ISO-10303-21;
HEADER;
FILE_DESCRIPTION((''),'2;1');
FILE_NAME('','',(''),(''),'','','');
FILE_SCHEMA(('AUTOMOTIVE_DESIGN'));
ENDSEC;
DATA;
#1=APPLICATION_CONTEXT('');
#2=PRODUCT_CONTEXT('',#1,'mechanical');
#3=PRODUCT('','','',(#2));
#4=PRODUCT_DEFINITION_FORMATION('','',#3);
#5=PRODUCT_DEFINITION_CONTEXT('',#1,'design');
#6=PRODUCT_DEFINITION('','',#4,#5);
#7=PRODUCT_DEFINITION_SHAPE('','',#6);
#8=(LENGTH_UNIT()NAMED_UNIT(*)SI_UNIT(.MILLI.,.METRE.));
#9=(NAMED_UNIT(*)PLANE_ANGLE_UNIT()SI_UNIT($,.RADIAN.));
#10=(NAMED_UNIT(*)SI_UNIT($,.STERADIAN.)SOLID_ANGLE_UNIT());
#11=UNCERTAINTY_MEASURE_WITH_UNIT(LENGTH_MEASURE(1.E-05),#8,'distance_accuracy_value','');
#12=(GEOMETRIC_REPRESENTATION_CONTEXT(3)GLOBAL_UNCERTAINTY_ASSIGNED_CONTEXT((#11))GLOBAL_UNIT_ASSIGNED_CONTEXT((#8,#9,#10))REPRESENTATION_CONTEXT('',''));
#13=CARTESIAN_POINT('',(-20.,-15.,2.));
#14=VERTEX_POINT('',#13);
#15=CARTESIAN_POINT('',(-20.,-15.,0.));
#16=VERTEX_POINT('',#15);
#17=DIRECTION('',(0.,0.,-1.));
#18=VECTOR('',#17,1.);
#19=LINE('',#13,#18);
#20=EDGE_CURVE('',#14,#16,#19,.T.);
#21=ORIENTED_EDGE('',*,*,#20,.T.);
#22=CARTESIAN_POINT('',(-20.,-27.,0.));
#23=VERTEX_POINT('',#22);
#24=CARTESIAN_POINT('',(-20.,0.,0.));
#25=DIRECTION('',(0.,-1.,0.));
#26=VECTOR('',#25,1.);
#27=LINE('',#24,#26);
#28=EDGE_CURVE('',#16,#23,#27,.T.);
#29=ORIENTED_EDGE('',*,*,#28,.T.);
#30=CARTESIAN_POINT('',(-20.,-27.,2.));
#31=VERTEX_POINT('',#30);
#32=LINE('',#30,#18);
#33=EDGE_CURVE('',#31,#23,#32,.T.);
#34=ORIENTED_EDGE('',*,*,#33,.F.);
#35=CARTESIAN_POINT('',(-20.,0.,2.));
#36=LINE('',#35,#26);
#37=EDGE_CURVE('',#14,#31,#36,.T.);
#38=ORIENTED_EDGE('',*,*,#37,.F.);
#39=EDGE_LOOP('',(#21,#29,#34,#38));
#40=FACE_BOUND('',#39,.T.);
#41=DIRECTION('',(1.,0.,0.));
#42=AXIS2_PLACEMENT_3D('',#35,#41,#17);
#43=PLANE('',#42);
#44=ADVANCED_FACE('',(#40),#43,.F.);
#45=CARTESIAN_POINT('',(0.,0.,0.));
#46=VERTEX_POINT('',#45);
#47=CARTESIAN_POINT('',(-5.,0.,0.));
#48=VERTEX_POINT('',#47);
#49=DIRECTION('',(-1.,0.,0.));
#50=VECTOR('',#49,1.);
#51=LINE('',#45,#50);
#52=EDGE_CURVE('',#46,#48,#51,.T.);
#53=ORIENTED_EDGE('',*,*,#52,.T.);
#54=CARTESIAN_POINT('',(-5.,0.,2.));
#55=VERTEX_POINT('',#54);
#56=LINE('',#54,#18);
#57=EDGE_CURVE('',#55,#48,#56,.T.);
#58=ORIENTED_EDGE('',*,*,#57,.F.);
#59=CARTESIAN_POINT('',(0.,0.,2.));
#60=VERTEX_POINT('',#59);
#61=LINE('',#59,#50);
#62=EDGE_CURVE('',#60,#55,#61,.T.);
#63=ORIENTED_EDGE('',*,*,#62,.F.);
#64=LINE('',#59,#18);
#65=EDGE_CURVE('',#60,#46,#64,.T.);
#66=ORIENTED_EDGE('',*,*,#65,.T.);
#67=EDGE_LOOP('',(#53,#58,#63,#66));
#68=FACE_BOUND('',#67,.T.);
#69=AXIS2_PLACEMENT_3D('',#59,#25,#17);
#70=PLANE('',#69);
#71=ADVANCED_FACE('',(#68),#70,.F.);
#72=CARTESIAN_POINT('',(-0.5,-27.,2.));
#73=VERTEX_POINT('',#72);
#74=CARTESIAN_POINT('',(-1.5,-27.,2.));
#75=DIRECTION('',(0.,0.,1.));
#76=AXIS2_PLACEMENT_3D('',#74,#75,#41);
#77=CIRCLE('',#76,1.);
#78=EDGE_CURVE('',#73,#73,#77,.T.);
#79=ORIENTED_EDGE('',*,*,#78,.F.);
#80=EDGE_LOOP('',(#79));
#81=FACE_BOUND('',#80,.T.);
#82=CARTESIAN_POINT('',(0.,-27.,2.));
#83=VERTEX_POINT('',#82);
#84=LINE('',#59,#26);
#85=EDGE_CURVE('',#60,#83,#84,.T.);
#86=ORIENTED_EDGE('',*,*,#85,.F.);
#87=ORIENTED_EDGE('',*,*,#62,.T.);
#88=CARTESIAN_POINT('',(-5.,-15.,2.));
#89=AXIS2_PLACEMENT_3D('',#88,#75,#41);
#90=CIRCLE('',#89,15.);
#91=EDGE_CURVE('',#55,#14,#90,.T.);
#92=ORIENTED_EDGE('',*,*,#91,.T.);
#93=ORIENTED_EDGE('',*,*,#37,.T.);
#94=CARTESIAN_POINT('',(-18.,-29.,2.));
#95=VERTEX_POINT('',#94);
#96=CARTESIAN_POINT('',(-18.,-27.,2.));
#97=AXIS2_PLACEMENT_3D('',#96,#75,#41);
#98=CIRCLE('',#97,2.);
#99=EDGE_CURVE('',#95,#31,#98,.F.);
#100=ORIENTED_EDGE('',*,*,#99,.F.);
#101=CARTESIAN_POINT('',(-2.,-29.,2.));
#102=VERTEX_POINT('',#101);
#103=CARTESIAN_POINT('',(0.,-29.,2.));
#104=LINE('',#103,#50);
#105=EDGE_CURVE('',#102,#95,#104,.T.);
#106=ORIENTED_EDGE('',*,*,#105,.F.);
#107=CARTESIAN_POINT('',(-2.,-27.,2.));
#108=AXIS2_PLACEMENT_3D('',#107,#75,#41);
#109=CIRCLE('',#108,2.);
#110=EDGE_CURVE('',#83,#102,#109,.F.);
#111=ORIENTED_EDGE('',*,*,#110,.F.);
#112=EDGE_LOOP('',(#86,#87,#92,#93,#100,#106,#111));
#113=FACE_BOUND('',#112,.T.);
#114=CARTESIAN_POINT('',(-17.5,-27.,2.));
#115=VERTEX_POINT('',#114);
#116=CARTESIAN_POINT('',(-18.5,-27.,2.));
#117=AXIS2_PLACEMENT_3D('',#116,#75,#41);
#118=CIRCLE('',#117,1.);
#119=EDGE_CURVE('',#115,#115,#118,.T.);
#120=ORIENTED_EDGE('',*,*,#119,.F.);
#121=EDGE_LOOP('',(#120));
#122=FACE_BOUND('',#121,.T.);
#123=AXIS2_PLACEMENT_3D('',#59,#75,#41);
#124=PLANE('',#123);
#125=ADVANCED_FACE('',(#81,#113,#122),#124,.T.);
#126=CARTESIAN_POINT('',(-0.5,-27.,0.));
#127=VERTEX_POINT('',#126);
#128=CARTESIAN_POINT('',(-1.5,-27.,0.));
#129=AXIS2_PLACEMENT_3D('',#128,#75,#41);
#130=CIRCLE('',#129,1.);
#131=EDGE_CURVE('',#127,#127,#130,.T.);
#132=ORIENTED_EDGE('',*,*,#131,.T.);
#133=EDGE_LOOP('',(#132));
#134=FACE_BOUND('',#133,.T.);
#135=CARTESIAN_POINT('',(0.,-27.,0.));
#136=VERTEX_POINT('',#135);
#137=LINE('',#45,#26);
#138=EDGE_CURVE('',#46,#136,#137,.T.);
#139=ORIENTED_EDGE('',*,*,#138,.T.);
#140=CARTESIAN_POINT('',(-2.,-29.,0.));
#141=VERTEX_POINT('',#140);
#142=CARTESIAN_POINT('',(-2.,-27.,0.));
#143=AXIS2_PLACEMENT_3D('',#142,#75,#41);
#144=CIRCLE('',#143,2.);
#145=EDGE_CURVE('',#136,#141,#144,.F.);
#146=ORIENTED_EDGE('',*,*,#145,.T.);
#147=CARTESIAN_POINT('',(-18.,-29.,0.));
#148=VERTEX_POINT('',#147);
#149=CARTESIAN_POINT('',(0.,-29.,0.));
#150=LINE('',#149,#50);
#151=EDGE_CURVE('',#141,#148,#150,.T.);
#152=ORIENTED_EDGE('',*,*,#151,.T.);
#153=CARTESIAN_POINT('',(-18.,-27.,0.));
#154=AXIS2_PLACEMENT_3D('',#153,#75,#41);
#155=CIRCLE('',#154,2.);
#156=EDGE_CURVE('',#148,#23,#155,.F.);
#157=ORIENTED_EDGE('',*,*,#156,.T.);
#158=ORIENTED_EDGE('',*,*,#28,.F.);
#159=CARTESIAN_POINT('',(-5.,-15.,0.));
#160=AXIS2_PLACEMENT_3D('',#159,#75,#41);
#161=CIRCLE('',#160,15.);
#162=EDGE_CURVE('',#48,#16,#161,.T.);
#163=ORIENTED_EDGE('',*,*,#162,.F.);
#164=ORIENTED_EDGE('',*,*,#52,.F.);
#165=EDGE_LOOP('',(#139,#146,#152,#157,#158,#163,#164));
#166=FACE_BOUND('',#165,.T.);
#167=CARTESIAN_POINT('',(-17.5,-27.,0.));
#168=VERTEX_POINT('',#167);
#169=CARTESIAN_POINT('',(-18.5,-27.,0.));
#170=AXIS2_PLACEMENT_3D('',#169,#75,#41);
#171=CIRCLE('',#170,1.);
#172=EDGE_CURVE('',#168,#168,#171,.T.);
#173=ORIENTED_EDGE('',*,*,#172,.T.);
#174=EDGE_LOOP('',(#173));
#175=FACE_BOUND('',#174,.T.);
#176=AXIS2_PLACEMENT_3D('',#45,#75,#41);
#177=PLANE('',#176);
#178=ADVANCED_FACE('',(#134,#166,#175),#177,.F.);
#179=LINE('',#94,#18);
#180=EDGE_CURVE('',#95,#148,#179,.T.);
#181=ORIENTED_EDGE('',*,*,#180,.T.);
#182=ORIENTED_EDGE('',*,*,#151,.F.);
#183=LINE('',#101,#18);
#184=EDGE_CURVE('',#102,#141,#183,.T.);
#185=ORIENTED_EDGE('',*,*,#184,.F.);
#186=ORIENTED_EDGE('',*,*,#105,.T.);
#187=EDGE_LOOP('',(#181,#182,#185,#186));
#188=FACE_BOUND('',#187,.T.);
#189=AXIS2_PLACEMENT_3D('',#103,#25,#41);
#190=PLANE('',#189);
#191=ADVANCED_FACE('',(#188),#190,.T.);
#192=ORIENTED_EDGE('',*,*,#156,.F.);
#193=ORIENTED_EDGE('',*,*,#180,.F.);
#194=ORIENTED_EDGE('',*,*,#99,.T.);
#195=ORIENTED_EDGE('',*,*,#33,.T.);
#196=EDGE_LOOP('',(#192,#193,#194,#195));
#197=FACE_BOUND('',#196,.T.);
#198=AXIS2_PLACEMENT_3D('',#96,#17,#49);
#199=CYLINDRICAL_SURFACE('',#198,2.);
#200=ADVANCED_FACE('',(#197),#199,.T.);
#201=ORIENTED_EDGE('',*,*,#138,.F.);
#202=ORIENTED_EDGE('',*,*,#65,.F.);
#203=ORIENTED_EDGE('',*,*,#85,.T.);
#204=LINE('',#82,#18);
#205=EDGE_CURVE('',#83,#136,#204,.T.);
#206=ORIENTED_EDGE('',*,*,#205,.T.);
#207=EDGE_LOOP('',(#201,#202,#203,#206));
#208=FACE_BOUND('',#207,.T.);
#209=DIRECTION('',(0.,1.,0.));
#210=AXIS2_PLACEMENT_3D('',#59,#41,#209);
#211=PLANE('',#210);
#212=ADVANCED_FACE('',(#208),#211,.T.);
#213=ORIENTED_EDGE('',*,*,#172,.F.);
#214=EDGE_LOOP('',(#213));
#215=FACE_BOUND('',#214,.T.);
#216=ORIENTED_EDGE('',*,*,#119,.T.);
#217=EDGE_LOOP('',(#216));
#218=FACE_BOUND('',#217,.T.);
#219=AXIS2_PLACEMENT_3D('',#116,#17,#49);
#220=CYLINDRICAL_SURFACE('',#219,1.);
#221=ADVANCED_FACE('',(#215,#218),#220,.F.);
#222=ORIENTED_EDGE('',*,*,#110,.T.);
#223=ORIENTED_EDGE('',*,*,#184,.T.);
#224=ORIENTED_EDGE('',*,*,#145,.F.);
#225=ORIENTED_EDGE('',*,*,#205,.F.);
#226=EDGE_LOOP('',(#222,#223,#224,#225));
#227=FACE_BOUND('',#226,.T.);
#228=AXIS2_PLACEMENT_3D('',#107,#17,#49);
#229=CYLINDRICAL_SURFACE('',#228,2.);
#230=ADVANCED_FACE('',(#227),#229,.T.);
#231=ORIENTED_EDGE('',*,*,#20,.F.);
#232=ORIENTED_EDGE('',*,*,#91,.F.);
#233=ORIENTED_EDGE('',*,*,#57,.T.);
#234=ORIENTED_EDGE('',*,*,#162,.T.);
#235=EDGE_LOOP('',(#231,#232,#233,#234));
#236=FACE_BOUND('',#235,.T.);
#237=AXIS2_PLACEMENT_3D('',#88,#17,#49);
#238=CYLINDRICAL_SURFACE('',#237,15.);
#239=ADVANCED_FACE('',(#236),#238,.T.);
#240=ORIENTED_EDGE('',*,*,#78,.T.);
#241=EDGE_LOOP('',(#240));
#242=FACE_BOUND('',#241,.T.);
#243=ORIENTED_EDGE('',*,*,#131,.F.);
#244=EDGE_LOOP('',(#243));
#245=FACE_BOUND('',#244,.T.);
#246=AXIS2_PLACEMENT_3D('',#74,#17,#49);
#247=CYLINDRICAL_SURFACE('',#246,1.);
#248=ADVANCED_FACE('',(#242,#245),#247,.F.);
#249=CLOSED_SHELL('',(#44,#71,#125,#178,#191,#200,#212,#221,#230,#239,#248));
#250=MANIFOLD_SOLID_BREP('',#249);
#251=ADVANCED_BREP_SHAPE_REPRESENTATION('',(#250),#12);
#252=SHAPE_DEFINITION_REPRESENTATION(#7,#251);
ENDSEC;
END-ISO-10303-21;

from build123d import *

# Parameters (mm, degrees)
SKETCH1_R           = 1
BOSS_EXTRUDE1_DEPTH = 2


with BuildPart() as part:
    # Sketch1 → Boss-Extrude1 (new body)
    with BuildSketch(Plane.XY):
        with BuildLine():
            Line((0, 0), (-5, 0))
            ThreePointArc((-5, 0), (-15.606601718, -4.393398282), (-20, -15))
            Line((-20, -15), (-20, -27))
            ThreePointArc((-20, -27), (-19.414213562, -28.414213562), (-18, -29))
            Line((-18, -29), (-2, -29))
            ThreePointArc((-2, -29), (-0.585786438, -28.414213562), (0, -27))
            Line((0, -27), (0, 0))
        make_face()
        with Locations((-18.5, -27)):
            Circle(SKETCH1_R, mode=Mode.SUBTRACT)
        with Locations((-1.5, -27)):
            Circle(SKETCH1_R, mode=Mode.SUBTRACT)
    extrude(amount=BOSS_EXTRUDE1_DEPTH)


solid = part.part
